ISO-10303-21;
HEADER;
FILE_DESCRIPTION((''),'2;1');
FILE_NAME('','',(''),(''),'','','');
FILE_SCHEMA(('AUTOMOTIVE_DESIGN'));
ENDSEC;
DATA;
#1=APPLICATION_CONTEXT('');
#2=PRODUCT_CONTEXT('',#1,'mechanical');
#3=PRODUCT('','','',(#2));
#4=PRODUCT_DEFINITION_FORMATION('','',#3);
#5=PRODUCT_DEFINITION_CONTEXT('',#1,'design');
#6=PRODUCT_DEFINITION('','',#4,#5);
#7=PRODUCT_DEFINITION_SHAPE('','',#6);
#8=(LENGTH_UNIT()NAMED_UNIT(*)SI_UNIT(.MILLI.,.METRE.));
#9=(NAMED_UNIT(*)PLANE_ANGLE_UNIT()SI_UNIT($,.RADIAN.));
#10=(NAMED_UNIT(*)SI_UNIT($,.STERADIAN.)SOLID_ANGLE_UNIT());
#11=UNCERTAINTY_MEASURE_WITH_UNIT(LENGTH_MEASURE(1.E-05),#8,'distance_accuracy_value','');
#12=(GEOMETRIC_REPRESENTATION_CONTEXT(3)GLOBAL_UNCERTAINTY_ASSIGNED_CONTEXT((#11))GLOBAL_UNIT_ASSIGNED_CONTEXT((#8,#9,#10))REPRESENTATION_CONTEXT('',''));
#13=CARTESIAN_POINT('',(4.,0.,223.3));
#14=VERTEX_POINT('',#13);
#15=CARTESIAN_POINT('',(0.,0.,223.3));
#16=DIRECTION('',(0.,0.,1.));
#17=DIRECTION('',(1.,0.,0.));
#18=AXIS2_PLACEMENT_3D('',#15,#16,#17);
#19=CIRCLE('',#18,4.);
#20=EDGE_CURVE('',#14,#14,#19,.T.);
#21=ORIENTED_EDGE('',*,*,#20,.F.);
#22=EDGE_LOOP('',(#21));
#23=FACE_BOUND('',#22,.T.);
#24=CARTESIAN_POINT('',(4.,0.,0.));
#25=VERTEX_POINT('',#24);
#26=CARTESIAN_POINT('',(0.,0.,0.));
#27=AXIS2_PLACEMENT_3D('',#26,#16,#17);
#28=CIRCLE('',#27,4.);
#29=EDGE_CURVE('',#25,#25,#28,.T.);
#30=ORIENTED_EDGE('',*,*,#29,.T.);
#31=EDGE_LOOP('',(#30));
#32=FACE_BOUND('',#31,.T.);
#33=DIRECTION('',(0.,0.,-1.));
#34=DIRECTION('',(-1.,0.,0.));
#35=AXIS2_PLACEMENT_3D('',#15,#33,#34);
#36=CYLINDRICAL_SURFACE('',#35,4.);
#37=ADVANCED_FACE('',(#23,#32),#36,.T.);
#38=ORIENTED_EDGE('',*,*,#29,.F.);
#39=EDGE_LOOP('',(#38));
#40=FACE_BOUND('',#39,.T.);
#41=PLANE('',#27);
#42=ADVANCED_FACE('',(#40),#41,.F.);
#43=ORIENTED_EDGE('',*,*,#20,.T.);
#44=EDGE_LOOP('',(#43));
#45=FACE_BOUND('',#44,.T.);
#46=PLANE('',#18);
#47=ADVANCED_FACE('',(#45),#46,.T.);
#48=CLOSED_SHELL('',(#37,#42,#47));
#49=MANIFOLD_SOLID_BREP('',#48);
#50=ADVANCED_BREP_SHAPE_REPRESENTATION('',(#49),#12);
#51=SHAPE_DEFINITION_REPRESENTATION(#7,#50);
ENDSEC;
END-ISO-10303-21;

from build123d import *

# Parameters (mm, degrees)
SKETCH1_R           = 4
BOSS_EXTRUDE1_DEPTH = 223.3


with BuildPart() as part:
    # Sketch1 → Boss-Extrude1 (new body)
    with BuildSketch(Plane.XY):
        Circle(SKETCH1_R)
    extrude(amount=BOSS_EXTRUDE1_DEPTH)


solid = part.part
